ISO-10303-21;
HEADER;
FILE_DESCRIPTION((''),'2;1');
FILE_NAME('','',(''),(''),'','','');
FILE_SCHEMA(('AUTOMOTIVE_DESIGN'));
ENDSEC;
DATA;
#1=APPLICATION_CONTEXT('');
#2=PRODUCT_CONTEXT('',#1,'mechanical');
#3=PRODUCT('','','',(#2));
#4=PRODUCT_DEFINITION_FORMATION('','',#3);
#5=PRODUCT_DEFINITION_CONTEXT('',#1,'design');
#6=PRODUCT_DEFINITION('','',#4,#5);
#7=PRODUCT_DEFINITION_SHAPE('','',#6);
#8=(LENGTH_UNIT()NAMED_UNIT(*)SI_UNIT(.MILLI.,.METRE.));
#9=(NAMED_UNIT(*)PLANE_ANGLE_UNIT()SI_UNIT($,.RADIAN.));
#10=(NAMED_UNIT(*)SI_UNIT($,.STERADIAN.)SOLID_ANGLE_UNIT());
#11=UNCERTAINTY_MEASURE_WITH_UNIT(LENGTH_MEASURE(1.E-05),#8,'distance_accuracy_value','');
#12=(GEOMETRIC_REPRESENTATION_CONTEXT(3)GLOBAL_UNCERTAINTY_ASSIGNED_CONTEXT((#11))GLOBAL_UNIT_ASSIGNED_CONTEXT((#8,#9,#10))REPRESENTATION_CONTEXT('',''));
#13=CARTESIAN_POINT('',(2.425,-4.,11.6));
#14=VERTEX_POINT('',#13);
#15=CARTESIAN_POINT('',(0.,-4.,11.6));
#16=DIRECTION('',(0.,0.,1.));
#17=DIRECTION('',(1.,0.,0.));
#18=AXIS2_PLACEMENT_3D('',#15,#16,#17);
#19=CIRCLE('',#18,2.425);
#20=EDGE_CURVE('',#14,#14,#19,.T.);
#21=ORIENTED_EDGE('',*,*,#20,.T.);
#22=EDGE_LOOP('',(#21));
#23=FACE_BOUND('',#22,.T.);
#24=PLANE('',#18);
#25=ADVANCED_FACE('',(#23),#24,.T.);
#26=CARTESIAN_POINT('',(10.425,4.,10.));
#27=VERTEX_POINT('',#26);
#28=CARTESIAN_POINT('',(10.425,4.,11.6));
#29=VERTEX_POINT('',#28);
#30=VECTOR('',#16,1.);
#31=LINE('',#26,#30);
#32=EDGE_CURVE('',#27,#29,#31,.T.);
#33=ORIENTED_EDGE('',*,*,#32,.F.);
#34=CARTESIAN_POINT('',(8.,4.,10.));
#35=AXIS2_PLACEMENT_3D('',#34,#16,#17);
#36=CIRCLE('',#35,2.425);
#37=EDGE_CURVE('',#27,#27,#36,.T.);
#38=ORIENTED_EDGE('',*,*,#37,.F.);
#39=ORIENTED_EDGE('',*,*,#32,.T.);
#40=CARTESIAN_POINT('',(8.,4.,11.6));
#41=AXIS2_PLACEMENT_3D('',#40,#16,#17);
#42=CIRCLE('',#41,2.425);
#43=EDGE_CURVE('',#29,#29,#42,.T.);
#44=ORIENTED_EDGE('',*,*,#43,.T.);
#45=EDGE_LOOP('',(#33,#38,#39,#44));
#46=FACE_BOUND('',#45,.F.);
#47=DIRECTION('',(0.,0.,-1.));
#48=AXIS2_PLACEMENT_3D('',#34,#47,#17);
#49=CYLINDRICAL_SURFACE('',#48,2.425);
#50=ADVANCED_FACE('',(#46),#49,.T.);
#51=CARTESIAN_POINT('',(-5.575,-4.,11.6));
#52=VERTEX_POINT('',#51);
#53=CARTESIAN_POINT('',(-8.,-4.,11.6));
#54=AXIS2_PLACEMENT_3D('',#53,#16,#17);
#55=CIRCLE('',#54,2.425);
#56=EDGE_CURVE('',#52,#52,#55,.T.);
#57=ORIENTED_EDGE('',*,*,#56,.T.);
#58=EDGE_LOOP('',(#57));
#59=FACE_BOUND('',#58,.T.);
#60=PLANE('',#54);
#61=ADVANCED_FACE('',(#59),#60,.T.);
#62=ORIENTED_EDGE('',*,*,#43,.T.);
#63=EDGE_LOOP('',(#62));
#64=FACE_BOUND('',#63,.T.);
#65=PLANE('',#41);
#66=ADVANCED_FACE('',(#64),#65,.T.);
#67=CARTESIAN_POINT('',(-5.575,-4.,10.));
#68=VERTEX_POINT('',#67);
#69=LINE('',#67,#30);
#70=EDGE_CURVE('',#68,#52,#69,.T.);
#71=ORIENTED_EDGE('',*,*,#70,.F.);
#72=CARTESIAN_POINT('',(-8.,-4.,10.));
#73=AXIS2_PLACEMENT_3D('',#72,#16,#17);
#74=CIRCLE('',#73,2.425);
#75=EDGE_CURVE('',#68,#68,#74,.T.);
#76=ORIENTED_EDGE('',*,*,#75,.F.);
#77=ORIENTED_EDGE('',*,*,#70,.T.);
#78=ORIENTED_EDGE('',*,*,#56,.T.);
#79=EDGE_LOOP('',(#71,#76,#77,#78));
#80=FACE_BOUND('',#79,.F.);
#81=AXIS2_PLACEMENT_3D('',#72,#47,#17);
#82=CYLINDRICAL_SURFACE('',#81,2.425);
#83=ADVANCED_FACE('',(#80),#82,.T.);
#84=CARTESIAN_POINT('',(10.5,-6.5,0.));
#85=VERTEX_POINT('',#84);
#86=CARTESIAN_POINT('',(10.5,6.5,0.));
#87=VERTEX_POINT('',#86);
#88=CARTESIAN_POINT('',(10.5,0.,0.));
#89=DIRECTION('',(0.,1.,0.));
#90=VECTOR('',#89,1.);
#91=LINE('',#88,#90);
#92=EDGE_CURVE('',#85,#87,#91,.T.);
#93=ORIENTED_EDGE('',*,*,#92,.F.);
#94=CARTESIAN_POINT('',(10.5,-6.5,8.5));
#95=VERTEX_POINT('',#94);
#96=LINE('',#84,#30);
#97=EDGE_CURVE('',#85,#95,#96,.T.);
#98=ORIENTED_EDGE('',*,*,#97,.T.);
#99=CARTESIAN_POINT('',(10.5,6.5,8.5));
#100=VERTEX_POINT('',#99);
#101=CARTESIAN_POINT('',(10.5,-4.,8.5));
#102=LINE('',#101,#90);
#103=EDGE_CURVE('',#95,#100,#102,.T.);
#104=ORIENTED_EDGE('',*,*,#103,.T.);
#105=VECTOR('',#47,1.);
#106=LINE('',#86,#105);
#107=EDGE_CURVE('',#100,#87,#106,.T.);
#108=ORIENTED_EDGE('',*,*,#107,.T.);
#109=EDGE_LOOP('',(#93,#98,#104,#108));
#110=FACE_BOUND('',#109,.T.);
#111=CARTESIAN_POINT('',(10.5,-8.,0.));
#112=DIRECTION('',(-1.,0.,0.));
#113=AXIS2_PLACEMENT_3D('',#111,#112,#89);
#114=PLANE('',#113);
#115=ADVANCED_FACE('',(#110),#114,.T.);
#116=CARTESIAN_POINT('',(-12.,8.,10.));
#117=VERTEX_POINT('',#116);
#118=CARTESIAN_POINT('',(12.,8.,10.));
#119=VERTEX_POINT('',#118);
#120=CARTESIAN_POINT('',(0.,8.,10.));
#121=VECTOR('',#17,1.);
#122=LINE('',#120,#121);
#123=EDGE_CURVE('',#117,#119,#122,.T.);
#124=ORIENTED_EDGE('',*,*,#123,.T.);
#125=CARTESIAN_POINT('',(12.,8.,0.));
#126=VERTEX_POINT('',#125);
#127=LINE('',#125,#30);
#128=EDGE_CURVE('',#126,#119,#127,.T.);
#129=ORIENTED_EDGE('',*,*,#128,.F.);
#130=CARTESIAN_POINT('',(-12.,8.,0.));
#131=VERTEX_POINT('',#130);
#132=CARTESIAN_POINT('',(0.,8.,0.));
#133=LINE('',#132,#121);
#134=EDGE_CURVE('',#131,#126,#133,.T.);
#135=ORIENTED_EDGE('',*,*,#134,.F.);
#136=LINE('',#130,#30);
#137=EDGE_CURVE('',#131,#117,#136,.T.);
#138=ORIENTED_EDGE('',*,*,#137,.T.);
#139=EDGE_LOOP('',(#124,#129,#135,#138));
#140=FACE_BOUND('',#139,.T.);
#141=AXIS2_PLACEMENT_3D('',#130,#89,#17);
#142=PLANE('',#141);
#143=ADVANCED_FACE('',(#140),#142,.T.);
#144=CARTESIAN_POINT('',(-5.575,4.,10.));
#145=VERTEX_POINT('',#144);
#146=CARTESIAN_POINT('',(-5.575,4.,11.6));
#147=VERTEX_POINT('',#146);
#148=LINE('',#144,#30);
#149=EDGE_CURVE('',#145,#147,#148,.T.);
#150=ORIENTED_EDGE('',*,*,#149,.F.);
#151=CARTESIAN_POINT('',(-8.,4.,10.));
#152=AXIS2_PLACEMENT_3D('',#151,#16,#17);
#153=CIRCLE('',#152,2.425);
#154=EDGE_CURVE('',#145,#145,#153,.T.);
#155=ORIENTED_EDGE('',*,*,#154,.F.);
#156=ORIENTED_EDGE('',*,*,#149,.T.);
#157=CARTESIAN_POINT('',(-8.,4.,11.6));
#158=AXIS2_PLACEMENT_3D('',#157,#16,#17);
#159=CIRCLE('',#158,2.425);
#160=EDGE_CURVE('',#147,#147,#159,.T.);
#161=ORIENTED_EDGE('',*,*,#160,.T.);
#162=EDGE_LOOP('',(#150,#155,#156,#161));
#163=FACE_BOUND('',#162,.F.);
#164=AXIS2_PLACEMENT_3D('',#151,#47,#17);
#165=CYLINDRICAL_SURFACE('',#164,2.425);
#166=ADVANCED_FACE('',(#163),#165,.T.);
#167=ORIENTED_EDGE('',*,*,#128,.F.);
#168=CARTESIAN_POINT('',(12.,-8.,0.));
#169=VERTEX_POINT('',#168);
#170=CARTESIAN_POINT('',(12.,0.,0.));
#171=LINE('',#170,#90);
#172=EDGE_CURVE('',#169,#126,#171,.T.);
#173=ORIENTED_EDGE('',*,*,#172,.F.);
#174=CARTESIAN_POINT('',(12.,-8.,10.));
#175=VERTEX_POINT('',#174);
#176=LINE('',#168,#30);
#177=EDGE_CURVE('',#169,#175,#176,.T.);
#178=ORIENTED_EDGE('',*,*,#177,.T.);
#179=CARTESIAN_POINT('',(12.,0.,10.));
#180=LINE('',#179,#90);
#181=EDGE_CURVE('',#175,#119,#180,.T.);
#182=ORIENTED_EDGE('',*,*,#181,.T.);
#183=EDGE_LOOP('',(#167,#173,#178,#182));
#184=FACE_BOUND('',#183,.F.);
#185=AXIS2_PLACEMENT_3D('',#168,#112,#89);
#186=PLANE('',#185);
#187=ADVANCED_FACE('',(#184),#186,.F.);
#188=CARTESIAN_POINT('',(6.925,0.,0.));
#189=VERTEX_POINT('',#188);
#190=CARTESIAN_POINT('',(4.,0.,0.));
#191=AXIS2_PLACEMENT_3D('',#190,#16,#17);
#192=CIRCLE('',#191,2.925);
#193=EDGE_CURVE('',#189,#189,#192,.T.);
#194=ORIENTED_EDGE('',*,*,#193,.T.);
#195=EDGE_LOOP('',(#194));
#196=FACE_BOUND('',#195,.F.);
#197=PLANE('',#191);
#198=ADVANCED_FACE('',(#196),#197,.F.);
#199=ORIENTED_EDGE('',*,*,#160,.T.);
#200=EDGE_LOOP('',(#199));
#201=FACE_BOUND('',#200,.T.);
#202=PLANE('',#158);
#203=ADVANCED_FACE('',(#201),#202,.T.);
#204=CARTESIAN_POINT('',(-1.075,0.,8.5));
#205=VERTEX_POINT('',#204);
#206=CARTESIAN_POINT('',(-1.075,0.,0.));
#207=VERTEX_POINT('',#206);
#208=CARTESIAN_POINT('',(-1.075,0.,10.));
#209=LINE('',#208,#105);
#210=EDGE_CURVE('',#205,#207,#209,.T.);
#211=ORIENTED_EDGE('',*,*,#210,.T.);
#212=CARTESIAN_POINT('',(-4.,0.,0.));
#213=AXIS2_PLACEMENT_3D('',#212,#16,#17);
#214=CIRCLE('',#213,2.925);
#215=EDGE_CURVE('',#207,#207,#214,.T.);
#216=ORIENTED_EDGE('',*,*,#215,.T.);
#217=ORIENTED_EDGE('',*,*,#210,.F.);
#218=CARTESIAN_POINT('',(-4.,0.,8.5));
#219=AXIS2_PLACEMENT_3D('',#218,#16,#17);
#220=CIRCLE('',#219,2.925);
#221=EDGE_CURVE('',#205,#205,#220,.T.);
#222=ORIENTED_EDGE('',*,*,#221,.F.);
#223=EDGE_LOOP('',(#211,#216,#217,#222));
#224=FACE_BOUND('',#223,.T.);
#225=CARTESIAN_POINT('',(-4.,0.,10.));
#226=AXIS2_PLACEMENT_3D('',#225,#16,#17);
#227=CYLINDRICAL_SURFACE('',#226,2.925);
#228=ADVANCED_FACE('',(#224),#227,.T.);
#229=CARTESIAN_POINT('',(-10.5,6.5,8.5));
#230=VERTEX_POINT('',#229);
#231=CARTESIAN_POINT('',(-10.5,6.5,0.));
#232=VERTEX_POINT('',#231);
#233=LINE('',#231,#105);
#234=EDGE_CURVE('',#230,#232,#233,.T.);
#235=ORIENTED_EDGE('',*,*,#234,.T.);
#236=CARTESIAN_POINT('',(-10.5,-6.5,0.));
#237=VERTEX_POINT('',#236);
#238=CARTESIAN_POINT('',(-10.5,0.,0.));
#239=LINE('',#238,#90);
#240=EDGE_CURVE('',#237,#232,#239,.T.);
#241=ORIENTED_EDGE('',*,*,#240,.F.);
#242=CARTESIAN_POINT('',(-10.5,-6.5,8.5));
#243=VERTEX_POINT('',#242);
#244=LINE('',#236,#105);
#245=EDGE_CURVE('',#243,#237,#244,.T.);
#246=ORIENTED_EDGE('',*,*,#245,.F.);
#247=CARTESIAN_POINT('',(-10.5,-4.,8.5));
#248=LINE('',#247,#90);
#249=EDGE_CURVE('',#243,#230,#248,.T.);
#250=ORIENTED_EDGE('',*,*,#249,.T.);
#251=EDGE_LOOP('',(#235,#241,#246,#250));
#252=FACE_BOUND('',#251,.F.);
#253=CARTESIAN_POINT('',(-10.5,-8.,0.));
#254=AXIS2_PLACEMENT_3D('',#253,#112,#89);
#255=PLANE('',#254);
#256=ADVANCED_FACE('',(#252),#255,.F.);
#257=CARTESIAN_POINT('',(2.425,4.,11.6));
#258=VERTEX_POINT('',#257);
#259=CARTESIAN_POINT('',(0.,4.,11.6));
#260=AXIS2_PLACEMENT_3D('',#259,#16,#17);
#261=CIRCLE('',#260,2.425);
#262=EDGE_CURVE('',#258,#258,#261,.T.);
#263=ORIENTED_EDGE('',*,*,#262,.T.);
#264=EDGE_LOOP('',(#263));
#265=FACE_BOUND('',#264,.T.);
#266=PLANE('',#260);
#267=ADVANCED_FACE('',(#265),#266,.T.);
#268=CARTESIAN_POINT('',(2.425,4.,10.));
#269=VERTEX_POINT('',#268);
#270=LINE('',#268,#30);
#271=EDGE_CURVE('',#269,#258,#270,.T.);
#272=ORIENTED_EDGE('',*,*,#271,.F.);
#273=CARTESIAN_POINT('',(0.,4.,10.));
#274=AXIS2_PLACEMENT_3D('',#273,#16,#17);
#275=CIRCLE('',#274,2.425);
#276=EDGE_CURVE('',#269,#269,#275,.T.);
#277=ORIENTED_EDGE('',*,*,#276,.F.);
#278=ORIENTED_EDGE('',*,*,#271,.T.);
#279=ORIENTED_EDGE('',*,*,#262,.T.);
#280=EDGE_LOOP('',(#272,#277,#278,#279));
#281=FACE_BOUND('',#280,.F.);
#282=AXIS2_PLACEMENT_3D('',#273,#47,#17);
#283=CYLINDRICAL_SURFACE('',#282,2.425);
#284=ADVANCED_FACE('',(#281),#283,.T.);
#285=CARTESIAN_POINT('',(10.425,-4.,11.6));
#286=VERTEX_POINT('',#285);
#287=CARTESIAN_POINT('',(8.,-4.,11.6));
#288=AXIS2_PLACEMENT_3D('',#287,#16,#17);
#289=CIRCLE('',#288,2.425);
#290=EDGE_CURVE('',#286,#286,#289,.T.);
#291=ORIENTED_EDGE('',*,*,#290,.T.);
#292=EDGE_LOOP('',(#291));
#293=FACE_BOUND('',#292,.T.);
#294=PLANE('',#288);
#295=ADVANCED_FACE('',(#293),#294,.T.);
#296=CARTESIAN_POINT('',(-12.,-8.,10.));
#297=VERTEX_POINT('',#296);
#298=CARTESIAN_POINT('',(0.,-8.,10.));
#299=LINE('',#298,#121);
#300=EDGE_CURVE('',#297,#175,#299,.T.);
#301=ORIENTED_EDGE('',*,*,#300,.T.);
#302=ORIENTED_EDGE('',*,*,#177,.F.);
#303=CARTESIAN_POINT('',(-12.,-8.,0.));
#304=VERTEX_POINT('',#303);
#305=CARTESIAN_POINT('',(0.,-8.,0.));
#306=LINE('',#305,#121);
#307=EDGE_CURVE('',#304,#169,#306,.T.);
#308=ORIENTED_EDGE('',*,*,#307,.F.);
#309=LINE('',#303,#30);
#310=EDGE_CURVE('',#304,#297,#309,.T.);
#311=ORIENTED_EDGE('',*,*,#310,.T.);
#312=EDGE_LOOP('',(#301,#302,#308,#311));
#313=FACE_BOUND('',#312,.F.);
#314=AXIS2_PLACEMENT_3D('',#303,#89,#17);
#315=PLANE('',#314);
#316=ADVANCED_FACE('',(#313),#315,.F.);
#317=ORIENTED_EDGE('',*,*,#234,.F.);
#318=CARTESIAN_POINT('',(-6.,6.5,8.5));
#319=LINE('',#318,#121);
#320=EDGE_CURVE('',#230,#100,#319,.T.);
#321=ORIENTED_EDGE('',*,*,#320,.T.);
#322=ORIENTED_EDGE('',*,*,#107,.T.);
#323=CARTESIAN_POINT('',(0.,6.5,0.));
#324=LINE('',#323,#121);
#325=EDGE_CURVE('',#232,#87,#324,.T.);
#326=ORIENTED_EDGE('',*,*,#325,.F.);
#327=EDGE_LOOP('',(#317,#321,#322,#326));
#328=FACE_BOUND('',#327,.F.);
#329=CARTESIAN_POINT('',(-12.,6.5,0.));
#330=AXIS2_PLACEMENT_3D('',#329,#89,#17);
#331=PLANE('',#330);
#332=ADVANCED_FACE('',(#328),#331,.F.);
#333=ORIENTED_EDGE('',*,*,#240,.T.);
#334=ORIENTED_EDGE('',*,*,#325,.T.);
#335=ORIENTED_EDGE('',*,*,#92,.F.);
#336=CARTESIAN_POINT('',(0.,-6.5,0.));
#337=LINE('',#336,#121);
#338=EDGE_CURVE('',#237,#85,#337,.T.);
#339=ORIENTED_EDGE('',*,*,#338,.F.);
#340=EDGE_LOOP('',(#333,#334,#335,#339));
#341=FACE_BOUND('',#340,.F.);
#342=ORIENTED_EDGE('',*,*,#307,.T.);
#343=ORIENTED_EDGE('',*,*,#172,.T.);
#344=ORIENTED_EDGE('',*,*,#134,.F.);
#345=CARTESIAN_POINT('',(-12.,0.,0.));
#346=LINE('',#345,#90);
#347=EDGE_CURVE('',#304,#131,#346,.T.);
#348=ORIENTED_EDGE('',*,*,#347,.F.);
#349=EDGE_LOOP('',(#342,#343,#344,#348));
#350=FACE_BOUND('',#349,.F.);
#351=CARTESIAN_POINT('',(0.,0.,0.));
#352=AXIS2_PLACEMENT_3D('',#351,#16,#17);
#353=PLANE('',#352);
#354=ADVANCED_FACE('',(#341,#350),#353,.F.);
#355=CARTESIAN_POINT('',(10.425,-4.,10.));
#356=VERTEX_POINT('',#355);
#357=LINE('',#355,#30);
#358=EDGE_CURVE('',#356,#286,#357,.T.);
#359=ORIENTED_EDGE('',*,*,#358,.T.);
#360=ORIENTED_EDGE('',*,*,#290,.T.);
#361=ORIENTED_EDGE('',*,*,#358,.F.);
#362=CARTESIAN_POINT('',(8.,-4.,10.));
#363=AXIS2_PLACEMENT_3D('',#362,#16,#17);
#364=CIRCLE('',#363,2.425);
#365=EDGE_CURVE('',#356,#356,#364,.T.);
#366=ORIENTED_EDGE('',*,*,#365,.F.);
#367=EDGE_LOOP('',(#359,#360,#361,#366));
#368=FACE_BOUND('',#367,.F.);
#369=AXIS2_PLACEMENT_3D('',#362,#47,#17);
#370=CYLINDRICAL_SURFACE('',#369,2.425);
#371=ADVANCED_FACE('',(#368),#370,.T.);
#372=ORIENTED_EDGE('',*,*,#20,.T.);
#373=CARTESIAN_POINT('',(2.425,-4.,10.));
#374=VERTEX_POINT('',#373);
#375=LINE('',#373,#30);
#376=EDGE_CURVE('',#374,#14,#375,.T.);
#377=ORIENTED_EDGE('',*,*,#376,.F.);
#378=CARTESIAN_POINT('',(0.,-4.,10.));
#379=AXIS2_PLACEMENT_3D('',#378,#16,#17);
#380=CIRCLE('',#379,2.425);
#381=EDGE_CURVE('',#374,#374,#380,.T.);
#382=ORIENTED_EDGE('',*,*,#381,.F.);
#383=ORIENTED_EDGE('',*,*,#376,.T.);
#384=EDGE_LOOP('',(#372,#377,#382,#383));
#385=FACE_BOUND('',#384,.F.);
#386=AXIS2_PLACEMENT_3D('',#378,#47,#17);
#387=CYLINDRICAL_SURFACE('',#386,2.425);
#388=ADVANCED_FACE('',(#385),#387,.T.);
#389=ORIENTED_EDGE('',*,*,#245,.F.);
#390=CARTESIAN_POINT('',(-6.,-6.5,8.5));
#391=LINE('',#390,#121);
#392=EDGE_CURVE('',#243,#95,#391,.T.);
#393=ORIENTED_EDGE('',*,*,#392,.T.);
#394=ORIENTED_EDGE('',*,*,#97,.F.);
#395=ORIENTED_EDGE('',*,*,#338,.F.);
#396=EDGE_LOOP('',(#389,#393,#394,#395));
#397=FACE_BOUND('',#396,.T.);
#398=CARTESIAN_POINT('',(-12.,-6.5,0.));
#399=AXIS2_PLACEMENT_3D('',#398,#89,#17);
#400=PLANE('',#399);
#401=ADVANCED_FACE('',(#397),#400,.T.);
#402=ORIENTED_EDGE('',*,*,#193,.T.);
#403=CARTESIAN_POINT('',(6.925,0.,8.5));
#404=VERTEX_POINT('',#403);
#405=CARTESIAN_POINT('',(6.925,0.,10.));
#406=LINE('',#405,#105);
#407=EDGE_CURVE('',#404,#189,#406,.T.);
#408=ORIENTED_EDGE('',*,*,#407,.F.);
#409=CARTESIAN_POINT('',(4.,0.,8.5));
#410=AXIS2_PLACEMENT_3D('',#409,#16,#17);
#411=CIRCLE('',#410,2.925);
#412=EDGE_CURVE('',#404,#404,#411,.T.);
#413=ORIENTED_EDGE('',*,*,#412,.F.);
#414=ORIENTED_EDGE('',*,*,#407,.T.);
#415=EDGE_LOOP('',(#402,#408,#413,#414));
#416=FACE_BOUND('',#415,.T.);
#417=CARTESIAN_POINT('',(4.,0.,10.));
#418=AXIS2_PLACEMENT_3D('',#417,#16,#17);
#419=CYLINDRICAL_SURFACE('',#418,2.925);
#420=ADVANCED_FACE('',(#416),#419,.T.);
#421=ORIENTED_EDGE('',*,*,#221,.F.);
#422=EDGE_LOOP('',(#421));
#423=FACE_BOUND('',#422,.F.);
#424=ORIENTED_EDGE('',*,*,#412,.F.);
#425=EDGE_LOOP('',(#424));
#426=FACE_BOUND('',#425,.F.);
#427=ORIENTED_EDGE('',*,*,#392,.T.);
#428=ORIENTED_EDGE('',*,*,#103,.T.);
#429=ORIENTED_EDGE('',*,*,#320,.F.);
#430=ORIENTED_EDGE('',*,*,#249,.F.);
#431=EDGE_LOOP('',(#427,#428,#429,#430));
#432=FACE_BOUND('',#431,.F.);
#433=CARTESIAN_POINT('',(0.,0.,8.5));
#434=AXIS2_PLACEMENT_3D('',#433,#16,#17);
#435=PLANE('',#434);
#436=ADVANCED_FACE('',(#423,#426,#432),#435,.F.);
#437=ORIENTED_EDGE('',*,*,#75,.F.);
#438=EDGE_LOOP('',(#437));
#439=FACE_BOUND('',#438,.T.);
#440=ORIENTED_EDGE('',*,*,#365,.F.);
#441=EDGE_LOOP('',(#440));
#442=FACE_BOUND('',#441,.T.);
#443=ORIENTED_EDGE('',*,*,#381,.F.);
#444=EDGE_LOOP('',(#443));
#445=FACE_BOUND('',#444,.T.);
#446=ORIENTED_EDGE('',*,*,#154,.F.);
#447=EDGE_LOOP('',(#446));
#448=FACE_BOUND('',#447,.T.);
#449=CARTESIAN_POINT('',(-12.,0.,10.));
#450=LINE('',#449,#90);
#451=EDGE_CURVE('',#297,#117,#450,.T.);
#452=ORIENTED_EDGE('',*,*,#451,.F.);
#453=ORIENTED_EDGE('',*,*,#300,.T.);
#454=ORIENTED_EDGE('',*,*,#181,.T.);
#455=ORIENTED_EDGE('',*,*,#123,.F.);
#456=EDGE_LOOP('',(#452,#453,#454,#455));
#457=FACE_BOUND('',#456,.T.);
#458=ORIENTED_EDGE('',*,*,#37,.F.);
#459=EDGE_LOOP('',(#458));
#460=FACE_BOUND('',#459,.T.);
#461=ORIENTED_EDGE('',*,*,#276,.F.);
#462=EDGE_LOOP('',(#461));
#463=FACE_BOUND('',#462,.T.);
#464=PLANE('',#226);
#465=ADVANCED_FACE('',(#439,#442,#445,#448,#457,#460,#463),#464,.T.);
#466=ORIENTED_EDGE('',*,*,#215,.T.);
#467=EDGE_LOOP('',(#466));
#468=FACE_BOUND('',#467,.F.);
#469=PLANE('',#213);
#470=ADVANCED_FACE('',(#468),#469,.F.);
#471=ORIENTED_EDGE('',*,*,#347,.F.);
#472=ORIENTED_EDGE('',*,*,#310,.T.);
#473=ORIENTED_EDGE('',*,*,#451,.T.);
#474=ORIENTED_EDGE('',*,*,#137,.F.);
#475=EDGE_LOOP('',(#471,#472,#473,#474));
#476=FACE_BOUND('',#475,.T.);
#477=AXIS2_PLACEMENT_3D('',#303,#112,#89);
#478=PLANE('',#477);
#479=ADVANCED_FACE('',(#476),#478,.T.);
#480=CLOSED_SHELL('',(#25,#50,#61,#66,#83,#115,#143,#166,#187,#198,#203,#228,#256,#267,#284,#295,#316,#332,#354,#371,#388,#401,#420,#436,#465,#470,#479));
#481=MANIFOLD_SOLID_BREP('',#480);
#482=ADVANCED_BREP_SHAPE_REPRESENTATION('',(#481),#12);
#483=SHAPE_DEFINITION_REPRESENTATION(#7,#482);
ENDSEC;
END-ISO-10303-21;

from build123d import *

# Parameters (mm, degrees)
F0_W     = 24
F0_H     = 16
F1_DEPTH = 10
F2_T     = -1.5
F3_R     = 2.425
F4_DEPTH = 1.6
F5_R     = 2.925
F6_DEPTH = 10


with BuildPart() as f1:
    # F0 (on Top) → F1 (new body)
    with BuildSketch(Plane.XY):
        Rectangle(F0_W, F0_H)
    extrude(amount=F1_DEPTH)

    # F2
    f2_openings = [f1.faces().sort_by_distance(p)[0] for p in [
        (0, 0, 0),
    ]]
    offset(amount=F2_T, openings=f2_openings)

    # F3 (on face) → F4 (join)
    with BuildSketch(Plane.XY.offset(10)):
        with Locations((-8, -4)):
            Circle(F3_R)
        with Locations((-8, 4)):
            Circle(F3_R)
        with Locations((0, -4)):
            Circle(F3_R)
        with Locations((0, 4)):
            Circle(F3_R)
        with Locations((8, -4)):
            Circle(F3_R)
        with Locations((8, 4)):
            Circle(F3_R)
    extrude(amount=F4_DEPTH)

    # F5 (on face) → F6 (join)
    with BuildSketch(Plane.XY.offset(10)):
        with Locations((-4, 0)):
            Circle(F5_R)
        with Locations((4, 0)):
            Circle(F5_R)
    extrude(amount=-F6_DEPTH)


solid = f1.part
